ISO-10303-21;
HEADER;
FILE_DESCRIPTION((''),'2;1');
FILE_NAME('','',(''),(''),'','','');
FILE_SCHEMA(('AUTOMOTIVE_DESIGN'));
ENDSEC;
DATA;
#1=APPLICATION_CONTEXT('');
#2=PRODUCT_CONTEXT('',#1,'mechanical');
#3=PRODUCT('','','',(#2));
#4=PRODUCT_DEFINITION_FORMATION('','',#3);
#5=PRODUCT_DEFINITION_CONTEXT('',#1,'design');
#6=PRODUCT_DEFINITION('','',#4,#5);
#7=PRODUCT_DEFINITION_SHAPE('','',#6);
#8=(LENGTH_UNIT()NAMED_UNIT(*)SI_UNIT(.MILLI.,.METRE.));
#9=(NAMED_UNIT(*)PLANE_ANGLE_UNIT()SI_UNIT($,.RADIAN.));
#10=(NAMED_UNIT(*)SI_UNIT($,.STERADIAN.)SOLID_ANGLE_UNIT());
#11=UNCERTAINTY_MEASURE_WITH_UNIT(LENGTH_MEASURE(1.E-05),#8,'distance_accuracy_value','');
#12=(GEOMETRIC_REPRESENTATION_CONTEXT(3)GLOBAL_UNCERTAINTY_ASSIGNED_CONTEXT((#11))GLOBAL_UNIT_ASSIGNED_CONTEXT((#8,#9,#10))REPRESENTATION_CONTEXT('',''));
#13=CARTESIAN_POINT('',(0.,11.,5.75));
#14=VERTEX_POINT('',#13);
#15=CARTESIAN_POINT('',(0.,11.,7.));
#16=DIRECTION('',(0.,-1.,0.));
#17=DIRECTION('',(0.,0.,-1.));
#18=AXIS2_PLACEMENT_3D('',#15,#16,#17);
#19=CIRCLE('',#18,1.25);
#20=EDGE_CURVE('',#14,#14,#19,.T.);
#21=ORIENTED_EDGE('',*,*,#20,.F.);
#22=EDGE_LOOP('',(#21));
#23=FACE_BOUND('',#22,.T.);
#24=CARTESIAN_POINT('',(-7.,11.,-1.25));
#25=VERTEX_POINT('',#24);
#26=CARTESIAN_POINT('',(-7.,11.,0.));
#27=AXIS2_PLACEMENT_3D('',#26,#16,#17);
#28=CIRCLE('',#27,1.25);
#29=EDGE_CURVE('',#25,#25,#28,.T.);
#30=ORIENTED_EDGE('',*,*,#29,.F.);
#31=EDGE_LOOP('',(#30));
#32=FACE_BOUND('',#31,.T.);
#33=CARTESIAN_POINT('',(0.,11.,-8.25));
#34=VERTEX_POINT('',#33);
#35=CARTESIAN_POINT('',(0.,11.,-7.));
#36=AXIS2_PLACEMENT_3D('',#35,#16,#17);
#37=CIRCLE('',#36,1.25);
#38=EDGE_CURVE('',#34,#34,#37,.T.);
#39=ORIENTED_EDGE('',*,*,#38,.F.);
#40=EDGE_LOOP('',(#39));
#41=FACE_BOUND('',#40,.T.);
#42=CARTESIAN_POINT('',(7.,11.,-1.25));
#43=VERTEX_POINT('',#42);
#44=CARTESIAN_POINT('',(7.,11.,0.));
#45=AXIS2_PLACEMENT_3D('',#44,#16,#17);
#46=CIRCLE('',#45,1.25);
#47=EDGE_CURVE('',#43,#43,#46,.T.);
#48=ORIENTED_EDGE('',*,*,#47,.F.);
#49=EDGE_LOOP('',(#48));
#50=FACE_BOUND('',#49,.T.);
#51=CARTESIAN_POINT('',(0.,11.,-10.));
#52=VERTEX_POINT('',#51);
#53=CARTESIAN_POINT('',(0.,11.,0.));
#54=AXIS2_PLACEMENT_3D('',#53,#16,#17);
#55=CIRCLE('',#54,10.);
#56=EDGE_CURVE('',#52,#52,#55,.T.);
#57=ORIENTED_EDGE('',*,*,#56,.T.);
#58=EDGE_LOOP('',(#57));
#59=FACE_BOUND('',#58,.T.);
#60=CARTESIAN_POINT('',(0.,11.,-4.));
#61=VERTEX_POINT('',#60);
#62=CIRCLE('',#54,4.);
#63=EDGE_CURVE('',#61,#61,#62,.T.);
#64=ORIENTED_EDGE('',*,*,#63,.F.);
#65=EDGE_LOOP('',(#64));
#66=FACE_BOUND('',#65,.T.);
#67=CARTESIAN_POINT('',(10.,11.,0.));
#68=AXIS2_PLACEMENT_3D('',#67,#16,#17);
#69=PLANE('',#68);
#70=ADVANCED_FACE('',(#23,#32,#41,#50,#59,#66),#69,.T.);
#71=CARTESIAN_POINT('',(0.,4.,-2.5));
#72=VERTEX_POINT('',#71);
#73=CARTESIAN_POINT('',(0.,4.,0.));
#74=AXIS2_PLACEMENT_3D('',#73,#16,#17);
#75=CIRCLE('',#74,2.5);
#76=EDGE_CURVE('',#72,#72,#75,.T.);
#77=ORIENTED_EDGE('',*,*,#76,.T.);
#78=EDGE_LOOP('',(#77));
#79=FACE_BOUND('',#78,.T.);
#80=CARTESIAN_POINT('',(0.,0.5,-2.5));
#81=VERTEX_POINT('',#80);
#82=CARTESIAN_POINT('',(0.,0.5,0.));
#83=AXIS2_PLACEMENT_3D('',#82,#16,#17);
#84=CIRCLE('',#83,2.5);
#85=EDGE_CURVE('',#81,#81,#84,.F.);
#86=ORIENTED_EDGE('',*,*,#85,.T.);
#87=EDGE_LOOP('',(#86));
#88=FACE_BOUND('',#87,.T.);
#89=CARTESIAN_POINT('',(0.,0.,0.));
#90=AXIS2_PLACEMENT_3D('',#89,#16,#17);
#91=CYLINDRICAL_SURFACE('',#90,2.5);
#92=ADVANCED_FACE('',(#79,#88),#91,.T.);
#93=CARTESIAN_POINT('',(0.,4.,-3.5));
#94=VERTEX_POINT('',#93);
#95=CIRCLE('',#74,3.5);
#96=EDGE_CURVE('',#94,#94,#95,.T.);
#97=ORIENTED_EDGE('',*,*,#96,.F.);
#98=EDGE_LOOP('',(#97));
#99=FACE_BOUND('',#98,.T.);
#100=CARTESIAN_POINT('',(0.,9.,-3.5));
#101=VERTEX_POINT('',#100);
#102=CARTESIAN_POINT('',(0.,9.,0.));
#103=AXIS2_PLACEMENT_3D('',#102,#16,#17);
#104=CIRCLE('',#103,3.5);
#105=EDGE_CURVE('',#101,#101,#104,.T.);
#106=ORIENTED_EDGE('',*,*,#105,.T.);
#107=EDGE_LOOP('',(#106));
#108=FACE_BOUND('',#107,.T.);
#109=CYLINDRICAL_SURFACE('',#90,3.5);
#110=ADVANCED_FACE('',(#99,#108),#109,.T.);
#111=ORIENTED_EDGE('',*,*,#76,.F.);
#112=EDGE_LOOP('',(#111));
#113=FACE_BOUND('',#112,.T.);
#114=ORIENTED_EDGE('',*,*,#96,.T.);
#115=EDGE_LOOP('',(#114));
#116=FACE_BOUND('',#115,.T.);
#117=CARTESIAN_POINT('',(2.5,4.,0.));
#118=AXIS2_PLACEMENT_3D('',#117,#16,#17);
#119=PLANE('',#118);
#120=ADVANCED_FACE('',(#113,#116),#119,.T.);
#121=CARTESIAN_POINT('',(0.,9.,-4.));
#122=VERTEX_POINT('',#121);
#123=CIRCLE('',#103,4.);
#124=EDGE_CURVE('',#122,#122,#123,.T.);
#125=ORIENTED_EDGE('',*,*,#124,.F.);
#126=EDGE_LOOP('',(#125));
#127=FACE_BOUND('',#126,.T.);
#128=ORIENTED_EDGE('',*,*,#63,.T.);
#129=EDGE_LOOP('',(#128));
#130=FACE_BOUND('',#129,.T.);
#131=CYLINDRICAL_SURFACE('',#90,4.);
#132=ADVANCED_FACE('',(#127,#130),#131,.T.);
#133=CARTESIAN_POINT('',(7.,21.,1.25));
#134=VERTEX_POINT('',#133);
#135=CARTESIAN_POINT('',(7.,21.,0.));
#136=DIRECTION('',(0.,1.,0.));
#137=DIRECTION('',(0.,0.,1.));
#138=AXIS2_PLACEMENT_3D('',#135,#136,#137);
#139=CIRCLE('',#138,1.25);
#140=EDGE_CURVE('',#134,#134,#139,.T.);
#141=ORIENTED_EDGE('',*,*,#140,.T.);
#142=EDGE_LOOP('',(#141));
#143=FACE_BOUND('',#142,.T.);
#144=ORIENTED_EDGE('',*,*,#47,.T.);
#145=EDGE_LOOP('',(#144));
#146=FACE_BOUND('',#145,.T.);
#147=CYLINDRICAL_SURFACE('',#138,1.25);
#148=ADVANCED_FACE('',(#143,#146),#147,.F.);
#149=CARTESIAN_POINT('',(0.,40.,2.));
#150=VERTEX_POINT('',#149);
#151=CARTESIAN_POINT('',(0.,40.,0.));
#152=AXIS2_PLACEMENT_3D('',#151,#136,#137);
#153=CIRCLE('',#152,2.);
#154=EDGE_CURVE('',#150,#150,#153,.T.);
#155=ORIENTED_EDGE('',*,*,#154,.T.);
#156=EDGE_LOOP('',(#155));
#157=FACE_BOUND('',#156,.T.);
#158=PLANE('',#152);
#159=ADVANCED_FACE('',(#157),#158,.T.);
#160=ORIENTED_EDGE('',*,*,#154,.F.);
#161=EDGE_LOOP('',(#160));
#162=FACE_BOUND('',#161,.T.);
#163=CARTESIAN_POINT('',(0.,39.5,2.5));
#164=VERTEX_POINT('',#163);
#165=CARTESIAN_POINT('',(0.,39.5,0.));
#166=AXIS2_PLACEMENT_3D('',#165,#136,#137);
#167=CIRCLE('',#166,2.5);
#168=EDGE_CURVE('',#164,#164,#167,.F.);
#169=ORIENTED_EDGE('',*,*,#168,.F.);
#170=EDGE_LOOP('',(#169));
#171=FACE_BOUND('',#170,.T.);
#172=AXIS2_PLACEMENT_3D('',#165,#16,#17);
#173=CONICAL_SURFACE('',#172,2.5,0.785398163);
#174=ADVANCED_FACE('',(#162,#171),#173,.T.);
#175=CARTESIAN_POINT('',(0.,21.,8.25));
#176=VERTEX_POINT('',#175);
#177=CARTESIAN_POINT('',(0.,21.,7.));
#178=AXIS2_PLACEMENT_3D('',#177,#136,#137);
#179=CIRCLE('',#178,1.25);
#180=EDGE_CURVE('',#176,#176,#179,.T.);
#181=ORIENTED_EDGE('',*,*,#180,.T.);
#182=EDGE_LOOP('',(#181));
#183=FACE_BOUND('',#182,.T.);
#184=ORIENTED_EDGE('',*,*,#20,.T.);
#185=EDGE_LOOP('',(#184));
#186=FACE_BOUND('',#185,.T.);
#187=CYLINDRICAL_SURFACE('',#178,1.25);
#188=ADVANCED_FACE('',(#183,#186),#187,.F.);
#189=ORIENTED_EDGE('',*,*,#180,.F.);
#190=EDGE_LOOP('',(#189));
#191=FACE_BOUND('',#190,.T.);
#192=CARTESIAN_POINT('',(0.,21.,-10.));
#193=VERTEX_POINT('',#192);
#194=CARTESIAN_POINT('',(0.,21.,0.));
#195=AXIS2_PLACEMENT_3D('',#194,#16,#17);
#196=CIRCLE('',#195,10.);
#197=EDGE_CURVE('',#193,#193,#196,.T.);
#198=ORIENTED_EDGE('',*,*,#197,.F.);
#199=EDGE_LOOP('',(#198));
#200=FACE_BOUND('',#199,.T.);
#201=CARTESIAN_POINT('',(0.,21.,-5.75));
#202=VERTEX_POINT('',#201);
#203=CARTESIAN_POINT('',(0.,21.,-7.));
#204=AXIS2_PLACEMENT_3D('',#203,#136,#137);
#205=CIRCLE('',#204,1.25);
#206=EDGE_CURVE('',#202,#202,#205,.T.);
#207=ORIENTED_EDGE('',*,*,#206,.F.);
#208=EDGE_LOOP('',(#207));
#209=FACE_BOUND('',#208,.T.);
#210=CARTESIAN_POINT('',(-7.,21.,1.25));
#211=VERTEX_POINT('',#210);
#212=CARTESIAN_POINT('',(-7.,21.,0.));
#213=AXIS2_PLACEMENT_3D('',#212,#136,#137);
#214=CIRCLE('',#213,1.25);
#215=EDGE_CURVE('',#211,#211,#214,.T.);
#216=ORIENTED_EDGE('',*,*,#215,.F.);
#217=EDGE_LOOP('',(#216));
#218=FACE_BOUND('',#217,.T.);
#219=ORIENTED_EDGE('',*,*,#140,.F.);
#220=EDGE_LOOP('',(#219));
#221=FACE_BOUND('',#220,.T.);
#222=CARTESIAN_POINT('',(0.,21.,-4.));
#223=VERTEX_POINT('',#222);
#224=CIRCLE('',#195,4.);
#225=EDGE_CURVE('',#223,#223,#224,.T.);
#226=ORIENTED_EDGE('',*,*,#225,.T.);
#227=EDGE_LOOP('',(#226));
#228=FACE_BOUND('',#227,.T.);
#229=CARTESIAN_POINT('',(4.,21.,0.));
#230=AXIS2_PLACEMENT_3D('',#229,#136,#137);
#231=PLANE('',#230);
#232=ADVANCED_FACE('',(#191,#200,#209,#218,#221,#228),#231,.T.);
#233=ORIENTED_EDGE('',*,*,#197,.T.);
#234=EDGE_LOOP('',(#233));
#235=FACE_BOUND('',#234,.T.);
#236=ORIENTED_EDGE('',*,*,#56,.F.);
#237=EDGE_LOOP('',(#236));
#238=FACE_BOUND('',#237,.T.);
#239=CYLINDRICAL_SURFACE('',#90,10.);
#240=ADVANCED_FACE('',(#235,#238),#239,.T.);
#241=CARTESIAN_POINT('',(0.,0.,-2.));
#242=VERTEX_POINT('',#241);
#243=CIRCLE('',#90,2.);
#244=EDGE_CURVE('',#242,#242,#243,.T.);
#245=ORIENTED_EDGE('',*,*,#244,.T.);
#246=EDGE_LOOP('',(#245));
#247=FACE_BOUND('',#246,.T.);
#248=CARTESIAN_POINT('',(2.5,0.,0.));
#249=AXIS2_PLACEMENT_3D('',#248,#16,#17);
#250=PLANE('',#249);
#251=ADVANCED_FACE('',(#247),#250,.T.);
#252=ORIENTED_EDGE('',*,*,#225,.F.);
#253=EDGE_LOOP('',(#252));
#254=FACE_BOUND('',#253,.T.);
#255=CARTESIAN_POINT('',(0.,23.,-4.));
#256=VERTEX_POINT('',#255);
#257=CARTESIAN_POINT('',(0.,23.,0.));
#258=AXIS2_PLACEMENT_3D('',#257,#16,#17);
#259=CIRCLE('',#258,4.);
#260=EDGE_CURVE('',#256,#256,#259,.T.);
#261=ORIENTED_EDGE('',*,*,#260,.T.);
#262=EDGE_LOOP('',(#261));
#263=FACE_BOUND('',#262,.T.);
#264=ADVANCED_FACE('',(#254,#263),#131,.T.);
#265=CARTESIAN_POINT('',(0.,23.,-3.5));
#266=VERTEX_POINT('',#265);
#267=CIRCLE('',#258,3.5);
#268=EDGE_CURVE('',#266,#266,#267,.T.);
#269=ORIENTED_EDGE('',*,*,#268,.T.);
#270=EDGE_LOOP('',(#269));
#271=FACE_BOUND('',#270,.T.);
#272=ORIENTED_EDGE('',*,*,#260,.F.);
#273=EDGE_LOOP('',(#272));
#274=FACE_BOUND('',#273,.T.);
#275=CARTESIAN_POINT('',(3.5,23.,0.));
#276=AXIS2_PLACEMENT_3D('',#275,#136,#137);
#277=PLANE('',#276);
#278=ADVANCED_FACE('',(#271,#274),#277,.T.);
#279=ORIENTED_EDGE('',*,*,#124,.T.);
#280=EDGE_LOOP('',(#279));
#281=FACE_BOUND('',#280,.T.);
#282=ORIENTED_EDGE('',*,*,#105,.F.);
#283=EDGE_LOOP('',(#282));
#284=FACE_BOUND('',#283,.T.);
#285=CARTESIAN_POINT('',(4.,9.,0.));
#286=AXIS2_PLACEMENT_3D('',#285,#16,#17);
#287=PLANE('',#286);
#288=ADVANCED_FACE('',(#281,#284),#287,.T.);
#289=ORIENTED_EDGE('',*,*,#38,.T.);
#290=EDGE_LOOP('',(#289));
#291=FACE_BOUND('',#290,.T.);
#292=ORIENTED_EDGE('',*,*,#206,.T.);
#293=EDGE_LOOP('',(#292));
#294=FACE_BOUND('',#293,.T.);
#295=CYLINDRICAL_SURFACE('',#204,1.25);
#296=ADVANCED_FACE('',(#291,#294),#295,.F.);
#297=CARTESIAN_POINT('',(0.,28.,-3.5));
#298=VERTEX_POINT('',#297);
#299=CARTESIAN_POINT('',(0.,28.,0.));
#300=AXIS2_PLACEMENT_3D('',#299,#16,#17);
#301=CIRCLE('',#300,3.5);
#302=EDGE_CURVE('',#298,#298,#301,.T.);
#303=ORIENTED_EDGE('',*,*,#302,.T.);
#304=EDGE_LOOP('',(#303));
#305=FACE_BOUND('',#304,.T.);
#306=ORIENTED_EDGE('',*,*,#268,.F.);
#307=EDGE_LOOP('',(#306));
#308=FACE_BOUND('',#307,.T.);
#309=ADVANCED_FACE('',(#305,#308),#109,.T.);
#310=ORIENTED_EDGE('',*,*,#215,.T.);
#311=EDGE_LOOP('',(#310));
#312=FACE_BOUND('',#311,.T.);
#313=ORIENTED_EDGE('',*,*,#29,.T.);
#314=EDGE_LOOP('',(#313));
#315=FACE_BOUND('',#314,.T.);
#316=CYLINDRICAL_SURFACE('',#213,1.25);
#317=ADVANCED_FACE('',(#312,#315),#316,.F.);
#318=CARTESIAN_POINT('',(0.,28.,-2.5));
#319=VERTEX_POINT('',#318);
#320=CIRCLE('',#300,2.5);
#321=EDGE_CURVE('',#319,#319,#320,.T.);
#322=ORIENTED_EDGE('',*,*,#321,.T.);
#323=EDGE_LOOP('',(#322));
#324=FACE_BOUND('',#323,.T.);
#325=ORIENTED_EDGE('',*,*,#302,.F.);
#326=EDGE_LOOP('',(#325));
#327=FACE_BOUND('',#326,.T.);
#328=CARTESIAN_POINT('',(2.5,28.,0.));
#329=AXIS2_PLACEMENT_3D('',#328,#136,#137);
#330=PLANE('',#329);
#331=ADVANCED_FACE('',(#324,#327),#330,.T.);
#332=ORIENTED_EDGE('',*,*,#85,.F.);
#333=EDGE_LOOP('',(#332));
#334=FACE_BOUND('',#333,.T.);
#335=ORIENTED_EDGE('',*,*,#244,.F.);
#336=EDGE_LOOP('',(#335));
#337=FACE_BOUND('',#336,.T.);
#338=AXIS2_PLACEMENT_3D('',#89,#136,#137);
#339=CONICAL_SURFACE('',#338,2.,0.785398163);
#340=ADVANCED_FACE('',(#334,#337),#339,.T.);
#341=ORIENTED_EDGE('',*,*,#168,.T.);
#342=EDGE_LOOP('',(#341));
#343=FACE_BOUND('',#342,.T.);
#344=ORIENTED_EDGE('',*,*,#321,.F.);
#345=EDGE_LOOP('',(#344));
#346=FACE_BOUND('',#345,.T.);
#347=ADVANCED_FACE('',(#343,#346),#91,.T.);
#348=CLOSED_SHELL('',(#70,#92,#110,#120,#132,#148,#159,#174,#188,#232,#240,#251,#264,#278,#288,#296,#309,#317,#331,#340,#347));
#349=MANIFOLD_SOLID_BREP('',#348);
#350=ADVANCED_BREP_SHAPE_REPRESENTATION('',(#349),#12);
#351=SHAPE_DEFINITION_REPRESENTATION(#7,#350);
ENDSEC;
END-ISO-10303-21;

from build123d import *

# Parameters (mm, degrees)
HOLE_WIZARD_M3_1_D = 2.5
CHAMFER_1_SIZE     = 0.5


with BuildPart() as part:
    # 草图1 → 旋转1 (revolve)
    with BuildSketch(Plane.XY, mode=Mode.PRIVATE) as revolve_1_sk:
        Polygon((0, 0), (0, 40), (2.5, 40), (2.5, 28), (3.5, 28), (3.5, 23), (4, 23), (4, 21), (10, 21), (10, 11), (4, 11), (4, 9), (3.5, 9), (3.5, 4), (2.5, 4), (2.5, 0), align=None)
    revolve(revolve_1_sk.sketch.rotate(Axis((0, 0, 0), (0, 1, 0)), 90), axis=Axis((0, 0, 0), (0, 1, 0)))

    # M3 螺纹孔1 (through all)
    with Locations(Plane(origin=(0, 21, 0), x_dir=(1, 0, 0), z_dir=(0, 1, 0))):
        with Locations((0, 7), (7, 0), (0, -7), (-7, 0)):
            Hole(HOLE_WIZARD_M3_1_D / 2)

    # 倒角1
    chamfer_1_edges = [part.edges().sort_by_distance(p)[0] for p in [
        (0, 0, 2.5),
        (0, 40, 2.5),
    ]]
    chamfer(chamfer_1_edges, length=CHAMFER_1_SIZE)


solid = part.part
